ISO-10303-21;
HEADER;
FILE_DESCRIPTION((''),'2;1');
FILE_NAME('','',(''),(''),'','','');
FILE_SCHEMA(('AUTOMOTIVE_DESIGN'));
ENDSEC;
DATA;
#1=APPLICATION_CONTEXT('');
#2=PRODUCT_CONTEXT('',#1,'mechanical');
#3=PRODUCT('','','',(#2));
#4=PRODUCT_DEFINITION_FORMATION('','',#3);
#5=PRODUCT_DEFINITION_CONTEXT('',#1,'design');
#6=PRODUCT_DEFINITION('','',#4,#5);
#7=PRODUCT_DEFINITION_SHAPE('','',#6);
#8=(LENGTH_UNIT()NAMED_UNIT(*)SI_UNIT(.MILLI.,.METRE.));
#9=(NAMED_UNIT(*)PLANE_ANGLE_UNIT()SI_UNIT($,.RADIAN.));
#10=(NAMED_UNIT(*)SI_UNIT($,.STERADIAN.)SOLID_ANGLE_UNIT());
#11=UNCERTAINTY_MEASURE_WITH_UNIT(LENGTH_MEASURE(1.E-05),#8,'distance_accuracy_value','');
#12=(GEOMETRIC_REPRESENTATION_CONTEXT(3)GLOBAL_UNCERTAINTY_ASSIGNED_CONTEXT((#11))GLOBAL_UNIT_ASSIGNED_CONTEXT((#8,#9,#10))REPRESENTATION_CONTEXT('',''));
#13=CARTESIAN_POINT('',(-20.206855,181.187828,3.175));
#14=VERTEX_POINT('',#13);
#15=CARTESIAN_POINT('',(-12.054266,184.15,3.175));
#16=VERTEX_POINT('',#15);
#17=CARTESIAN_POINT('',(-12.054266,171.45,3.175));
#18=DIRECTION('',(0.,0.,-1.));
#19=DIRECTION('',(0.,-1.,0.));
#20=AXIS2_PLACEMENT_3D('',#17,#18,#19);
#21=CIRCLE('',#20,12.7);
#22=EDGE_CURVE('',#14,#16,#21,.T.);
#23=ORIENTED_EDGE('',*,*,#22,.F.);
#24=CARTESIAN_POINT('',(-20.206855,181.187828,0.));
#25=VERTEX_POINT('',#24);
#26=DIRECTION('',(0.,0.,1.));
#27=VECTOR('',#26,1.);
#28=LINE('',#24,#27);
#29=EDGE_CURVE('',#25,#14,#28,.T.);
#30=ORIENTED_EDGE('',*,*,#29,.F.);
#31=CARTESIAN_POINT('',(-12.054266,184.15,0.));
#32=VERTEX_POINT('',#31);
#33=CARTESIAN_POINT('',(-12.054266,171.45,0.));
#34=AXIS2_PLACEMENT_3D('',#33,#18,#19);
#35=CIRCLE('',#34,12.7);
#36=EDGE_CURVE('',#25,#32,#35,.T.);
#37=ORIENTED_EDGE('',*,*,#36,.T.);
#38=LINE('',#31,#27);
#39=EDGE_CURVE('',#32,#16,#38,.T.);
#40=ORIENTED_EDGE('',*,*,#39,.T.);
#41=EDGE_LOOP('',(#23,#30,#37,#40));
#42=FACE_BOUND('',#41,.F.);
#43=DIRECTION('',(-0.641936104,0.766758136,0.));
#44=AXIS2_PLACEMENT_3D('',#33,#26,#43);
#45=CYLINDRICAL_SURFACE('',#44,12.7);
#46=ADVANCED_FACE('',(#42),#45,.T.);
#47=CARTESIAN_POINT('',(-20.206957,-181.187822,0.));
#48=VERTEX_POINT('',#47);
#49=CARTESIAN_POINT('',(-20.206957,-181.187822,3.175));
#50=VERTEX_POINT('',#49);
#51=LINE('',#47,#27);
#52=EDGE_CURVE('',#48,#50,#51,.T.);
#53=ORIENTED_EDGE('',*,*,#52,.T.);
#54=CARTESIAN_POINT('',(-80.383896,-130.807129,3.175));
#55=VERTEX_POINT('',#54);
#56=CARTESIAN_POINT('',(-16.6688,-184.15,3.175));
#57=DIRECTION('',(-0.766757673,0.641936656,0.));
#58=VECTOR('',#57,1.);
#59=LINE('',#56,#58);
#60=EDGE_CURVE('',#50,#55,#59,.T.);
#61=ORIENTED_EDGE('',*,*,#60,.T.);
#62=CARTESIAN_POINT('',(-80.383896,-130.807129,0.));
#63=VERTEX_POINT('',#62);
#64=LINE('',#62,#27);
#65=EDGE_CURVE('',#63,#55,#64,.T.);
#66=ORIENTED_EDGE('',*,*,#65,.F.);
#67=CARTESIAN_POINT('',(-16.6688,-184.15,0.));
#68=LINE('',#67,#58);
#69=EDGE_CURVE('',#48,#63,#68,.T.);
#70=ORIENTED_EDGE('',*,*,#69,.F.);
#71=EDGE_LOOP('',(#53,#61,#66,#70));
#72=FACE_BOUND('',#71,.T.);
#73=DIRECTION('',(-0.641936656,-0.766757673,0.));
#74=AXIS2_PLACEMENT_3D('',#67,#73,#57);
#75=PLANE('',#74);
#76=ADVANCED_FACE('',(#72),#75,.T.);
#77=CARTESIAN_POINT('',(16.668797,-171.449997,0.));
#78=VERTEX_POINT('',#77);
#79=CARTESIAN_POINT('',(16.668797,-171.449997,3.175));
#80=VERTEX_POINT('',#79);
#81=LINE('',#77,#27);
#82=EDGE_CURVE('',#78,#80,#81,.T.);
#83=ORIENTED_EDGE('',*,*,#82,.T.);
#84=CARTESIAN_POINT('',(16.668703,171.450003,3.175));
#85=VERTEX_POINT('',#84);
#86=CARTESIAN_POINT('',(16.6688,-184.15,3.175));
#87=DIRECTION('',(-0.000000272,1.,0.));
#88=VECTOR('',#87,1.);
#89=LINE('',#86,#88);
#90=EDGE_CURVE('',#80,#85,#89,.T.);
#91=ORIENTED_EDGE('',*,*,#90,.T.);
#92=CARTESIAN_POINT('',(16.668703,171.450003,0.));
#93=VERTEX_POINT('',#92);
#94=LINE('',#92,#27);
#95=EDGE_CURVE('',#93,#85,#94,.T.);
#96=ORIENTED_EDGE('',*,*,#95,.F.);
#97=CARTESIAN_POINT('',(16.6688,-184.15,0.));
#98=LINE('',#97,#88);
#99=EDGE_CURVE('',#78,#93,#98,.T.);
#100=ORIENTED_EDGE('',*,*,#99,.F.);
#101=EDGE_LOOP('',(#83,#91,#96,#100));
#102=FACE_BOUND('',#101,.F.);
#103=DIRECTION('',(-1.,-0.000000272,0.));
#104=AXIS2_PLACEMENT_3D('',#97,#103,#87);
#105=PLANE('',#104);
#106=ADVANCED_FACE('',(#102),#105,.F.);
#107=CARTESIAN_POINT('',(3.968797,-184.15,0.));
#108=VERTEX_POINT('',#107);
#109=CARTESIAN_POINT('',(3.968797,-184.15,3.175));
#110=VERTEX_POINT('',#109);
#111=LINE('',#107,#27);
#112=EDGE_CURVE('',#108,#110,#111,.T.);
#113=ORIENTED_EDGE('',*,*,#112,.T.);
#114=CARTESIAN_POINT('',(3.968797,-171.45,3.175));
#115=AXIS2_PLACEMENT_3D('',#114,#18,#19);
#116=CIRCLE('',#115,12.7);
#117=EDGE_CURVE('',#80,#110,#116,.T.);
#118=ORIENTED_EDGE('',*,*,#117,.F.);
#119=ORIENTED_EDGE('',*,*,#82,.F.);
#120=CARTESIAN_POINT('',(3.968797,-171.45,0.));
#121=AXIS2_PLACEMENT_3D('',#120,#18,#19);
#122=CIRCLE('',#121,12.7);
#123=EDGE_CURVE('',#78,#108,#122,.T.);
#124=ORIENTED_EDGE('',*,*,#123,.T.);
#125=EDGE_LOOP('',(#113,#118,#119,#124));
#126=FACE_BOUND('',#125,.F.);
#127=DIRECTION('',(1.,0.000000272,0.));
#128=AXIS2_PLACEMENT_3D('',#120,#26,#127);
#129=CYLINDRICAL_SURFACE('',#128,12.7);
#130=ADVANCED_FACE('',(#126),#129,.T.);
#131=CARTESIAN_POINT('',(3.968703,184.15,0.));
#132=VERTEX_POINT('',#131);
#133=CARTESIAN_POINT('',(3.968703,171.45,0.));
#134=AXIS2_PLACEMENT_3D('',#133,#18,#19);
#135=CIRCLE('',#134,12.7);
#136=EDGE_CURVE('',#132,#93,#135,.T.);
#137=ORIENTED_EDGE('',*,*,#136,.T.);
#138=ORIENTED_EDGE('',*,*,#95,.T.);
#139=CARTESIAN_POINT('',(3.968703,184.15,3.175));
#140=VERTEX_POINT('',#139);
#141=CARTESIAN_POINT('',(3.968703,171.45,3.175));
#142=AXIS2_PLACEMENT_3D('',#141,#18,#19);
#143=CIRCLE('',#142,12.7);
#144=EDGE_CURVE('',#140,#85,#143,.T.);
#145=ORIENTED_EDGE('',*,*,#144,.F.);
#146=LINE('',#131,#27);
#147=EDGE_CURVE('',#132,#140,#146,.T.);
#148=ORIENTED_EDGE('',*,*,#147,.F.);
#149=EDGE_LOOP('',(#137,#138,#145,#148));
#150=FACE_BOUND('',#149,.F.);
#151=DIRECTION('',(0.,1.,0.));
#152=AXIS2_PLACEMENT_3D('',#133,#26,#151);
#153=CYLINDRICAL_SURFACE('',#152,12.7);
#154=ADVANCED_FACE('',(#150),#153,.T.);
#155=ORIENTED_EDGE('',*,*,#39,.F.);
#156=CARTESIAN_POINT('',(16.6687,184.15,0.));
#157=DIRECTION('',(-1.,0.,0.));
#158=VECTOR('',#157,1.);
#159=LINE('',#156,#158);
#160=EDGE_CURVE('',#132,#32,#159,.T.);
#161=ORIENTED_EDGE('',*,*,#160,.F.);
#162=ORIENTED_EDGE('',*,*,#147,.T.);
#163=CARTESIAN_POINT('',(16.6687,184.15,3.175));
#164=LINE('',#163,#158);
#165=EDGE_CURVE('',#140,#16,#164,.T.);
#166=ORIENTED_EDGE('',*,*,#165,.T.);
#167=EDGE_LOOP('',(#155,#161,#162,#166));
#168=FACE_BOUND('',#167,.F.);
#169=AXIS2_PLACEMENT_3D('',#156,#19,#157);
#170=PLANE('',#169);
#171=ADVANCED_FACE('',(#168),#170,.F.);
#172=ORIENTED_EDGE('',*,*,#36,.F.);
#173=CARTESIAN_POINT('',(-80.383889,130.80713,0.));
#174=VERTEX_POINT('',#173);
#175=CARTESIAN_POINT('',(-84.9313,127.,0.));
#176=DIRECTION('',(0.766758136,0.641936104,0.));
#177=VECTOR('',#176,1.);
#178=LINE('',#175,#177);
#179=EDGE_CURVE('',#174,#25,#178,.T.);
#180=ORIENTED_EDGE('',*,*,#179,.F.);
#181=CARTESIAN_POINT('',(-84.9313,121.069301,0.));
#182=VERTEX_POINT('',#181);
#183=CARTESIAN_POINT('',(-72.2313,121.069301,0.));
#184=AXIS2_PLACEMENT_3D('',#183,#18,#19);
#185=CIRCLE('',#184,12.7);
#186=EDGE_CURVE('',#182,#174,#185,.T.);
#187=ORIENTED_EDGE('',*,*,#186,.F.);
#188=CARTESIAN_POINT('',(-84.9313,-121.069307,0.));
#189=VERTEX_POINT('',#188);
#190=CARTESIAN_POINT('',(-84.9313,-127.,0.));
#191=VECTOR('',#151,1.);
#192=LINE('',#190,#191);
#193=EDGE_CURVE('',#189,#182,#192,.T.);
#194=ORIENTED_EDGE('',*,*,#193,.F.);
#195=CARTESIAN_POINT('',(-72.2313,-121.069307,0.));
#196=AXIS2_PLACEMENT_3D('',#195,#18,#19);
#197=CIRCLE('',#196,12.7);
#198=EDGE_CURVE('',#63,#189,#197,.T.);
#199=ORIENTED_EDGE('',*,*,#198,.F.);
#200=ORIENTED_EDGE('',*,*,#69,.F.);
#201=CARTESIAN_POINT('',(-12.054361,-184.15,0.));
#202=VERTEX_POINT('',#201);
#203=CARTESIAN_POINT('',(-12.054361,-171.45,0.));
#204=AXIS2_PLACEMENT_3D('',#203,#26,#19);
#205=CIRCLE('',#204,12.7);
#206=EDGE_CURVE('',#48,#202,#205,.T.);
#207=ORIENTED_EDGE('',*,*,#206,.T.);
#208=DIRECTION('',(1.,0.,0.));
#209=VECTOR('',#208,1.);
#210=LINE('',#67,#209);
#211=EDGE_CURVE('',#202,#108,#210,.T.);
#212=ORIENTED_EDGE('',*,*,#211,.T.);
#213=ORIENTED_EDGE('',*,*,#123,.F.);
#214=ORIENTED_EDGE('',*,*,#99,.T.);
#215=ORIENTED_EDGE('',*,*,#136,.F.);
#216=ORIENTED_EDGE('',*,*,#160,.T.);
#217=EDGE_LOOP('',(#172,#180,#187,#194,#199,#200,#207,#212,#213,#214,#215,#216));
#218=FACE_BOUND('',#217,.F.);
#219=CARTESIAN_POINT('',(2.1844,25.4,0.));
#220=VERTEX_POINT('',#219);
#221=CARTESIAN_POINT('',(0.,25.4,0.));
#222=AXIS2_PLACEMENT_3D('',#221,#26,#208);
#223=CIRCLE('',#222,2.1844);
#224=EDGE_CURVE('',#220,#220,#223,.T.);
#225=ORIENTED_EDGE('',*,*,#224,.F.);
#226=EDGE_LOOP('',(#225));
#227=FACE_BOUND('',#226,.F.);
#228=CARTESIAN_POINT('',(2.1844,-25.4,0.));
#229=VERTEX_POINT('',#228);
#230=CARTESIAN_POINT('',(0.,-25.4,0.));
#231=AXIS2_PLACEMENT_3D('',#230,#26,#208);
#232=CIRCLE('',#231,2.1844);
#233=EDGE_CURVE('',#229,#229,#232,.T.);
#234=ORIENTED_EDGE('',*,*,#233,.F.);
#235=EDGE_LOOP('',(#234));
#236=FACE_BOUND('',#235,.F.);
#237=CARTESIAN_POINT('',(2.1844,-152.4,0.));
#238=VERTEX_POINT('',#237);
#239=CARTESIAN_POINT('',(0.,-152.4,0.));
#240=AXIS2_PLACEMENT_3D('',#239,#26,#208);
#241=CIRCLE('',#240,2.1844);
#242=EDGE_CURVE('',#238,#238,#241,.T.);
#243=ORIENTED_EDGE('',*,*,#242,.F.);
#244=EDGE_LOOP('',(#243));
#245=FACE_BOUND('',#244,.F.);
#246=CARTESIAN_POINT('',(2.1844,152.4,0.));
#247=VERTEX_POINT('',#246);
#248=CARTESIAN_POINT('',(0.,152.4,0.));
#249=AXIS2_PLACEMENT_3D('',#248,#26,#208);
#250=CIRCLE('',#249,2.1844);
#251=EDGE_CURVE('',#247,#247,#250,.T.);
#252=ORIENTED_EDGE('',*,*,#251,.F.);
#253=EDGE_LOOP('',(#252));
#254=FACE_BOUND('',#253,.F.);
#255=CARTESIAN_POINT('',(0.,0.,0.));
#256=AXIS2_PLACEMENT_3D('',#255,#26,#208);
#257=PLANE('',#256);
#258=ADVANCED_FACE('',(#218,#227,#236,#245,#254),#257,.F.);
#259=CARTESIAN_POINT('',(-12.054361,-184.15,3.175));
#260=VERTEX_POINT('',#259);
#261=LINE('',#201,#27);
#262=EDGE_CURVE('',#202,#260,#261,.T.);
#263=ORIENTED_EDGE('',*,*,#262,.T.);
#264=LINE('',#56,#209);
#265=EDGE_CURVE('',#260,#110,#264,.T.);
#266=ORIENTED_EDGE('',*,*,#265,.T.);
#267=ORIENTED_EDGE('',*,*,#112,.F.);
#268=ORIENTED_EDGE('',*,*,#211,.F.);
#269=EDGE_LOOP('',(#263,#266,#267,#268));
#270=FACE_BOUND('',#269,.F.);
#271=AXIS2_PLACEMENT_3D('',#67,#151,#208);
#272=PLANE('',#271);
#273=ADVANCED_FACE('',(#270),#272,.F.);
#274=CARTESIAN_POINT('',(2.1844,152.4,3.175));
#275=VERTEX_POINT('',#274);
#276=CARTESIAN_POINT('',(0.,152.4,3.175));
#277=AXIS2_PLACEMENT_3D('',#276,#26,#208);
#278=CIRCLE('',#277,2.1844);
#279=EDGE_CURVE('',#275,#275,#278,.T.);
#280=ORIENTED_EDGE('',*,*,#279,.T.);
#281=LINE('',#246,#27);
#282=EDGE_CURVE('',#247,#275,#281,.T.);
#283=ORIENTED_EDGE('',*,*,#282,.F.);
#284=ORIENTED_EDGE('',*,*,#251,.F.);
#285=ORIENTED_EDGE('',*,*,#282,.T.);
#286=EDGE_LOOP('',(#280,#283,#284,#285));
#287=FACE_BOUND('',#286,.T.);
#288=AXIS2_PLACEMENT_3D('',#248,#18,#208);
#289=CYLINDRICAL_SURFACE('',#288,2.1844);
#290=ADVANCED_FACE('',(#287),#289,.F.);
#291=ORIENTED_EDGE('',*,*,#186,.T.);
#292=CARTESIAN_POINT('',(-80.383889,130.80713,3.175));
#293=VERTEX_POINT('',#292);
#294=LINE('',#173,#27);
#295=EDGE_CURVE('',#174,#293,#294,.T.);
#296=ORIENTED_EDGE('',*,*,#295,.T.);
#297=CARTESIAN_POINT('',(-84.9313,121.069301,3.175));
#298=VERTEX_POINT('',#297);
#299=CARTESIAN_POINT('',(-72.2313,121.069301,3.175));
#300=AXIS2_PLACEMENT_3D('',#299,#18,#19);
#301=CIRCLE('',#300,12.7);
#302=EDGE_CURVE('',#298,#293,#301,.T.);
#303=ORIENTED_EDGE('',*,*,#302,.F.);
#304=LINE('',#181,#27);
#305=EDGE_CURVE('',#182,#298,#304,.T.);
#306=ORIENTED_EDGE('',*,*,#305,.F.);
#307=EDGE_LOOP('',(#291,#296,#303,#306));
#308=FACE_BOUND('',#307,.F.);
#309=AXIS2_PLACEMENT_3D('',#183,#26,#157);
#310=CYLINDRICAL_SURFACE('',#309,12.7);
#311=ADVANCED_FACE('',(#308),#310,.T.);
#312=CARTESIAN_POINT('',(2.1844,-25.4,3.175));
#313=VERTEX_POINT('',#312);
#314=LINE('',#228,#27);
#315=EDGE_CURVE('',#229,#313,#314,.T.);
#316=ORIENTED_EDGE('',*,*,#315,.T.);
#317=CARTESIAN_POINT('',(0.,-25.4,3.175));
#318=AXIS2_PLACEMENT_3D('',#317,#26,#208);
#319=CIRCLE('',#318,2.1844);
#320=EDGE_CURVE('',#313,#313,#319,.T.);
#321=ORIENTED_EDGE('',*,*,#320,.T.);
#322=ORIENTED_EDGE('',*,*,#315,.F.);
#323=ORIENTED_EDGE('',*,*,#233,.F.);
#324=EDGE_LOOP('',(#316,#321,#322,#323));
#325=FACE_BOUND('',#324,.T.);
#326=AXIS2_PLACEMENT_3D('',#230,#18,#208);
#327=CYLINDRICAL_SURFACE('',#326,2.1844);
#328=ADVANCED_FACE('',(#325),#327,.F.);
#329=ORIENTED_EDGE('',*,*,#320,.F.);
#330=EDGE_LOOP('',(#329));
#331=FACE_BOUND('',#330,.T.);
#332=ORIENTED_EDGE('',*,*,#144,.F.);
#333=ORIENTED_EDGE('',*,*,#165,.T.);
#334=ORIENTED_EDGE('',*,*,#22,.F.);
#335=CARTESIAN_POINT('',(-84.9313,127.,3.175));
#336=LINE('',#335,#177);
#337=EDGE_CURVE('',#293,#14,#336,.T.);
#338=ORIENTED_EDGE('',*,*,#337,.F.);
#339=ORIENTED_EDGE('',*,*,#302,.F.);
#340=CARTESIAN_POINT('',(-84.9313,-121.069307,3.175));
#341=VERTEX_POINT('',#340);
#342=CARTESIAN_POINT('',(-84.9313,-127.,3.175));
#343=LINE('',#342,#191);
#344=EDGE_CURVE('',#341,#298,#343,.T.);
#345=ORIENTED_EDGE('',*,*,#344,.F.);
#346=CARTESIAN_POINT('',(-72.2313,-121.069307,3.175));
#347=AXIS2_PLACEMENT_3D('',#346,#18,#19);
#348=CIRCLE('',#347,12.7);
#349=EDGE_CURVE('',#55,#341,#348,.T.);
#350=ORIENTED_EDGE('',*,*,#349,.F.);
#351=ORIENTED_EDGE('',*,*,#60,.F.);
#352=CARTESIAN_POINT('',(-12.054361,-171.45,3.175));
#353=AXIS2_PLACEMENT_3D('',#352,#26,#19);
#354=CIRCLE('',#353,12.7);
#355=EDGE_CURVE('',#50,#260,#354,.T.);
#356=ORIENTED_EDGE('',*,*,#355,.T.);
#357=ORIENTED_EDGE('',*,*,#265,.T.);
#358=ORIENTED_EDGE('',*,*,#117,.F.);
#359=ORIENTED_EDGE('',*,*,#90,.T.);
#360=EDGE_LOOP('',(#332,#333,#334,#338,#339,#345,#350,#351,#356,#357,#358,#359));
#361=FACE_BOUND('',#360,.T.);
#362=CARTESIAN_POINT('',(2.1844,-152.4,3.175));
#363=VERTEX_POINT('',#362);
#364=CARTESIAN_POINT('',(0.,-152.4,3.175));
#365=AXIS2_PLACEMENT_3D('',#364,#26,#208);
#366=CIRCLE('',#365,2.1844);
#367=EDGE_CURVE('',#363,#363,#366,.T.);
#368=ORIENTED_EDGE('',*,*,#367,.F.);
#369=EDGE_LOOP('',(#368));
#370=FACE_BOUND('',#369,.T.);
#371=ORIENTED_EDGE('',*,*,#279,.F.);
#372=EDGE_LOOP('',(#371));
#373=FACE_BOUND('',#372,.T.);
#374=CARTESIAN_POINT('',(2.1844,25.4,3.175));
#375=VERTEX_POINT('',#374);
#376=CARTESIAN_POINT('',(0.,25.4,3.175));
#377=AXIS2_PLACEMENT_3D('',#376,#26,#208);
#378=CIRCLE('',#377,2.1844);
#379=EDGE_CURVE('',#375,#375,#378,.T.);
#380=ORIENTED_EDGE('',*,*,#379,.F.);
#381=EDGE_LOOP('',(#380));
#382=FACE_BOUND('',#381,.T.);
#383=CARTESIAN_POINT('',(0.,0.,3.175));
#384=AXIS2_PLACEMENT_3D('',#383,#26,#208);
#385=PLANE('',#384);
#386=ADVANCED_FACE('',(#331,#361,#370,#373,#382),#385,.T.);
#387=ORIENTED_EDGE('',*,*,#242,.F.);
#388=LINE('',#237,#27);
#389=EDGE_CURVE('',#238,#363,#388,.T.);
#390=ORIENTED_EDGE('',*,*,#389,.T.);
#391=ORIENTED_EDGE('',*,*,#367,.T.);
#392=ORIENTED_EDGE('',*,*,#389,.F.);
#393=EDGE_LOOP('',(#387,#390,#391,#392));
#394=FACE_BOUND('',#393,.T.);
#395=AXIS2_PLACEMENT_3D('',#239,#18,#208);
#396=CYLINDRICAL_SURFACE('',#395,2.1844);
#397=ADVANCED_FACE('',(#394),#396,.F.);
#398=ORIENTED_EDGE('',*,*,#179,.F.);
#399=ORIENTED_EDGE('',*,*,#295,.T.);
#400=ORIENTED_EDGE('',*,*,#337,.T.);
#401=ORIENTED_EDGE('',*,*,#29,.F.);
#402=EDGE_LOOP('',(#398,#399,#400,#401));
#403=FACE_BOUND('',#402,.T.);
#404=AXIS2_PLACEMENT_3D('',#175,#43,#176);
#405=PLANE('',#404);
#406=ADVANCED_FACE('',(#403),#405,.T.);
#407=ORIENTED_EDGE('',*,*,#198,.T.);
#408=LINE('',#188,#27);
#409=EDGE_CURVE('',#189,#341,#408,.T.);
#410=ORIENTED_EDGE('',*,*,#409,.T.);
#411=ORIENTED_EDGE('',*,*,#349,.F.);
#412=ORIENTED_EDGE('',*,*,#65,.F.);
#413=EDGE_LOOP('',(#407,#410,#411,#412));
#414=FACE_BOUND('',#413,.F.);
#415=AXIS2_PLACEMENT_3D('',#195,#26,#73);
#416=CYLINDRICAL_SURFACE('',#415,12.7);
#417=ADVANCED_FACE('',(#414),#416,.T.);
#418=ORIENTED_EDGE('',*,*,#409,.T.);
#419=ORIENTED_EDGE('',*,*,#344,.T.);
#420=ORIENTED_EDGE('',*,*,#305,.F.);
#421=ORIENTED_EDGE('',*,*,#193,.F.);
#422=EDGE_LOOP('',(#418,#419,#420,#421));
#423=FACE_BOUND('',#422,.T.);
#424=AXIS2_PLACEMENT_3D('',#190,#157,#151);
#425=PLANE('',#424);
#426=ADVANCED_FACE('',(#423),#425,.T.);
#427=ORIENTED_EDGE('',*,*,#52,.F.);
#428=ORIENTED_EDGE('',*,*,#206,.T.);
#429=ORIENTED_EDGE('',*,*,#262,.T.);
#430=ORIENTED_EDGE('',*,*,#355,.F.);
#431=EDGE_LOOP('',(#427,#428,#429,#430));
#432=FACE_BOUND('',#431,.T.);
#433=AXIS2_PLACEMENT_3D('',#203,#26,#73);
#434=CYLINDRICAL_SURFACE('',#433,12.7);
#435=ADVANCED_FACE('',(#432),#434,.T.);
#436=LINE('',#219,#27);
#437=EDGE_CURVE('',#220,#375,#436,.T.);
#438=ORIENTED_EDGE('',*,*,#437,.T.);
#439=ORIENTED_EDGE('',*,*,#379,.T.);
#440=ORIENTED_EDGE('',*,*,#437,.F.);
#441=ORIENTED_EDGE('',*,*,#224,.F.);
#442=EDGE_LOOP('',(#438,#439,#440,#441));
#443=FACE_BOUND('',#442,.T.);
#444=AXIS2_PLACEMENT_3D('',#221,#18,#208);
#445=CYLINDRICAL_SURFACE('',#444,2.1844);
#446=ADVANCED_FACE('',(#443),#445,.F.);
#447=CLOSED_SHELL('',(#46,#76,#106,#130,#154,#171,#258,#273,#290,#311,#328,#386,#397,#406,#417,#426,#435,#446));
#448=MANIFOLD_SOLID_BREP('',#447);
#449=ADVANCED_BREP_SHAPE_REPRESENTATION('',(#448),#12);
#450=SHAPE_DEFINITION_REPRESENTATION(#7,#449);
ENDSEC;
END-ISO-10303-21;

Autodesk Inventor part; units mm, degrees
ref_plane "YZ Plane" through (0, 0, 0) normal (1, 0, 0) x (0, 1, 0)
ref_plane "XZ Plane" through (0, 0, 0) normal (0, 1, 0) x (-1, 0, 0)
ref_plane "Work Plane1" through (0, 0, 0) normal (0, 0, 1) x (1, 0, 0)
sketch "Sketch1" plane through (0, 0, 0) normal (0, 0, 1) x (1, 0, 0)
  circle A0 centre (0, -152.4) radius 2.1844 projected
  circle A1 centre (0, -25.4) radius 2.1844 projected
  circle A2 centre (0, 25.4) radius 2.1844 projected
  circle A3 centre (0, 152.4) radius 2.1844 projected
  line L0 (-16.6688, -184.15) -> (16.6688, -184.15) projected
  line L1 (16.6687, 184.15) -> (-16.6687, 184.15) projected
  line L2 (16.6688, -184.15) -> (16.6687, 184.15)
  line L3 (-16.6688, -184.15) -> (-84.9313, -127)
  line L4 (-233.7366, -55.6057) -> (-233.7366, -58.7807)
  line L5 (-84.9313, -127) -> (-84.9313, 127)
  line L6 (-84.9313, 127) -> (-16.6687, 184.15)
  point P0 (0, 0)
  dimension "d2" = 254
  dimension "d3" = 101.6
extrude "Extrusion1" add sketch "Sketch1" along normal blind 3.175
fillet "Fillet1" radius 12.7 6 edges at (-84.9313, -127, 1.5875) (-16.6688, -184.15, 1.5875) (16.6688, -184.15, 1.5875) (-84.9313, 127, 1.5875) (-16.6687, 184.15, 1.5875) (16.6687, 184.15, 1.5875)
properties part number "BackPoly" material "Acetal Resin, Black"
